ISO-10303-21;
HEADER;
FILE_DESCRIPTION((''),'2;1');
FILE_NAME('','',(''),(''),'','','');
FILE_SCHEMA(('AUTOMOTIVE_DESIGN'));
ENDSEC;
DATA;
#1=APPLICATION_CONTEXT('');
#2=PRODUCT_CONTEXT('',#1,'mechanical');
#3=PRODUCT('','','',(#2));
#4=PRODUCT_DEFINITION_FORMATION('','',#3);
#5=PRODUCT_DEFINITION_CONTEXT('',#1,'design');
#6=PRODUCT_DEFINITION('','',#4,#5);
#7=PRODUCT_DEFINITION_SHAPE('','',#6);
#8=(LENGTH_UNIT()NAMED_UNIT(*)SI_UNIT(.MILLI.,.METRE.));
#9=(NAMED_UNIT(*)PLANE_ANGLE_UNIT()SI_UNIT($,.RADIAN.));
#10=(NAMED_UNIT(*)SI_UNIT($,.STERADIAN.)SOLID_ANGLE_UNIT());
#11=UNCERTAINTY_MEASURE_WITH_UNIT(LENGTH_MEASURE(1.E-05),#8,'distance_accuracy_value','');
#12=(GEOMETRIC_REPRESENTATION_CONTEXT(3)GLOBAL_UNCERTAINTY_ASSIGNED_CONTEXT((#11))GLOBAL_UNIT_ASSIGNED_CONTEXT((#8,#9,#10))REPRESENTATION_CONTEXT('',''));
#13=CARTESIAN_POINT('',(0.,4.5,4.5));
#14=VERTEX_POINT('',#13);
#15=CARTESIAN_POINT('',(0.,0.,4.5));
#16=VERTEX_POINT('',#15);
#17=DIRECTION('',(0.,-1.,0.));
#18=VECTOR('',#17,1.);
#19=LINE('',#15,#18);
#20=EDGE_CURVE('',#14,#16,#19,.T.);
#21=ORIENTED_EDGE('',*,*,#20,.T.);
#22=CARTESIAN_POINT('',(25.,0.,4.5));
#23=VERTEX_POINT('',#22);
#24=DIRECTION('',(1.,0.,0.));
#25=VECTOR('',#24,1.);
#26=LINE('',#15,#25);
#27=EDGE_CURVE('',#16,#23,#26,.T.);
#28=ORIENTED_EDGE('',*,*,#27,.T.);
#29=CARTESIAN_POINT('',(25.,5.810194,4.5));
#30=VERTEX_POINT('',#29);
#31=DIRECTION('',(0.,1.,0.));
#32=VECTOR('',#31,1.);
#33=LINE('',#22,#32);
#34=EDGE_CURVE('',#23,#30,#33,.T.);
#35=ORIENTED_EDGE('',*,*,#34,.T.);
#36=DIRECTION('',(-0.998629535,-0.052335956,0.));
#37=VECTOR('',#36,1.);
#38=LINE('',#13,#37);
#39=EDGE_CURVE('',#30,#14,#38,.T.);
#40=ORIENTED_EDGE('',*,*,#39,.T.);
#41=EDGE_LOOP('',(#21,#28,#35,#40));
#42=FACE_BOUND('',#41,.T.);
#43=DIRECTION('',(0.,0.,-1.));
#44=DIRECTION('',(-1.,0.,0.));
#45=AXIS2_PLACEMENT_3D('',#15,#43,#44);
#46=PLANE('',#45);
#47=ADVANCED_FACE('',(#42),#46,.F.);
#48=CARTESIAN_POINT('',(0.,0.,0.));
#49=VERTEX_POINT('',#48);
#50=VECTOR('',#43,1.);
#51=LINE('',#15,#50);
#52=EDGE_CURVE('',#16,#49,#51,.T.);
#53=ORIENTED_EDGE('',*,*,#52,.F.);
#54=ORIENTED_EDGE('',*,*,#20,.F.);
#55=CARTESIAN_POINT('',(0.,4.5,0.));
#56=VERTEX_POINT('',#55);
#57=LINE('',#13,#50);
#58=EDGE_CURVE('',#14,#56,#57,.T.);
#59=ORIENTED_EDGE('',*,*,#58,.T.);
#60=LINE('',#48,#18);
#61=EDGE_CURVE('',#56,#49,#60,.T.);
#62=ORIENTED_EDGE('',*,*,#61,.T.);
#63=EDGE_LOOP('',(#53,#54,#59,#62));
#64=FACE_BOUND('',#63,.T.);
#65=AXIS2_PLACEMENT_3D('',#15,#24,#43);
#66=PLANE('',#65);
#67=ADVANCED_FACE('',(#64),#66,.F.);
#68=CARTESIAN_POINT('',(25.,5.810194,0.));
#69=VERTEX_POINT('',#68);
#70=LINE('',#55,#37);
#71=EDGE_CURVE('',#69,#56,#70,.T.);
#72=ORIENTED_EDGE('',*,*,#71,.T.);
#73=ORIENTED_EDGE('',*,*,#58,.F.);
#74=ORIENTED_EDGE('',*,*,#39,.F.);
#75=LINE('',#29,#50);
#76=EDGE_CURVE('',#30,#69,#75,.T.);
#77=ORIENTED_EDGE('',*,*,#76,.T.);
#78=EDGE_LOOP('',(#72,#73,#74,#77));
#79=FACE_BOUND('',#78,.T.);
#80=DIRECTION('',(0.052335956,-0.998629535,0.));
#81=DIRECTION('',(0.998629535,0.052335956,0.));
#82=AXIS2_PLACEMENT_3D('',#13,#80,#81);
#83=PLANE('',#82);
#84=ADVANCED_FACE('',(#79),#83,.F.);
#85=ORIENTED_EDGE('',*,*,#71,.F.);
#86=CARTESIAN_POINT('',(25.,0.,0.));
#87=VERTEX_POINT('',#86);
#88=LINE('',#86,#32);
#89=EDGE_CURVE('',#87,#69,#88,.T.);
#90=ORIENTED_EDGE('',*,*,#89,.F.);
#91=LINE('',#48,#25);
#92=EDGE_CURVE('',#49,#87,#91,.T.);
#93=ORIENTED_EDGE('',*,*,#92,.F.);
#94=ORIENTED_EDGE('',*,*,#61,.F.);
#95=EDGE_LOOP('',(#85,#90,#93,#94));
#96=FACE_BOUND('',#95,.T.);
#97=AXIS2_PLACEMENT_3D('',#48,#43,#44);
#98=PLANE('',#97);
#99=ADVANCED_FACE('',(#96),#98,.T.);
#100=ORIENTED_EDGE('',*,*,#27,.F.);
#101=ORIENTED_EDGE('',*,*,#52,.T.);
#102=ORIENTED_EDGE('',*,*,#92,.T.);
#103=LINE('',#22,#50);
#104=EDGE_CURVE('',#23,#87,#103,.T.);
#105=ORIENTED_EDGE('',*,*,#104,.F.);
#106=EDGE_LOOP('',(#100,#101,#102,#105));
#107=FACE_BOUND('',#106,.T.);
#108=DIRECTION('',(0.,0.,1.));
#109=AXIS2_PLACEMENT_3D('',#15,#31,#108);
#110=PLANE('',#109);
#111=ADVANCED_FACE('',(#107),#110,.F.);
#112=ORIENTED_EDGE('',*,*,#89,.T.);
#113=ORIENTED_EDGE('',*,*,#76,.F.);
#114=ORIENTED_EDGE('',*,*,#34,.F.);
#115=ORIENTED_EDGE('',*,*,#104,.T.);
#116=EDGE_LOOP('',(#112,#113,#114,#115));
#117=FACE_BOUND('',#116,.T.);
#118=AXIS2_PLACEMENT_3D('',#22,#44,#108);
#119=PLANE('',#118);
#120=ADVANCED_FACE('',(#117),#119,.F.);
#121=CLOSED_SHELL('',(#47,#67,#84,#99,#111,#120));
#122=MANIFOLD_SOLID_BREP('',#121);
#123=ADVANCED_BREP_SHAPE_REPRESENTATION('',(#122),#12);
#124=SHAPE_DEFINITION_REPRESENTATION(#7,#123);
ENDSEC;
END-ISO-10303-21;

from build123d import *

# Parameters (mm, degrees)
BOSS_EXTRUDE1_DEPTH = 4.5


with BuildPart() as part:
    # Sketch1 → Boss-Extrude1 (new body)
    with BuildSketch(Plane.XY):
        Polygon((0, 0), (25, 0), (25, 5.810194482), (0, 4.5), align=None)
    extrude(amount=BOSS_EXTRUDE1_DEPTH)


solid = part.part
